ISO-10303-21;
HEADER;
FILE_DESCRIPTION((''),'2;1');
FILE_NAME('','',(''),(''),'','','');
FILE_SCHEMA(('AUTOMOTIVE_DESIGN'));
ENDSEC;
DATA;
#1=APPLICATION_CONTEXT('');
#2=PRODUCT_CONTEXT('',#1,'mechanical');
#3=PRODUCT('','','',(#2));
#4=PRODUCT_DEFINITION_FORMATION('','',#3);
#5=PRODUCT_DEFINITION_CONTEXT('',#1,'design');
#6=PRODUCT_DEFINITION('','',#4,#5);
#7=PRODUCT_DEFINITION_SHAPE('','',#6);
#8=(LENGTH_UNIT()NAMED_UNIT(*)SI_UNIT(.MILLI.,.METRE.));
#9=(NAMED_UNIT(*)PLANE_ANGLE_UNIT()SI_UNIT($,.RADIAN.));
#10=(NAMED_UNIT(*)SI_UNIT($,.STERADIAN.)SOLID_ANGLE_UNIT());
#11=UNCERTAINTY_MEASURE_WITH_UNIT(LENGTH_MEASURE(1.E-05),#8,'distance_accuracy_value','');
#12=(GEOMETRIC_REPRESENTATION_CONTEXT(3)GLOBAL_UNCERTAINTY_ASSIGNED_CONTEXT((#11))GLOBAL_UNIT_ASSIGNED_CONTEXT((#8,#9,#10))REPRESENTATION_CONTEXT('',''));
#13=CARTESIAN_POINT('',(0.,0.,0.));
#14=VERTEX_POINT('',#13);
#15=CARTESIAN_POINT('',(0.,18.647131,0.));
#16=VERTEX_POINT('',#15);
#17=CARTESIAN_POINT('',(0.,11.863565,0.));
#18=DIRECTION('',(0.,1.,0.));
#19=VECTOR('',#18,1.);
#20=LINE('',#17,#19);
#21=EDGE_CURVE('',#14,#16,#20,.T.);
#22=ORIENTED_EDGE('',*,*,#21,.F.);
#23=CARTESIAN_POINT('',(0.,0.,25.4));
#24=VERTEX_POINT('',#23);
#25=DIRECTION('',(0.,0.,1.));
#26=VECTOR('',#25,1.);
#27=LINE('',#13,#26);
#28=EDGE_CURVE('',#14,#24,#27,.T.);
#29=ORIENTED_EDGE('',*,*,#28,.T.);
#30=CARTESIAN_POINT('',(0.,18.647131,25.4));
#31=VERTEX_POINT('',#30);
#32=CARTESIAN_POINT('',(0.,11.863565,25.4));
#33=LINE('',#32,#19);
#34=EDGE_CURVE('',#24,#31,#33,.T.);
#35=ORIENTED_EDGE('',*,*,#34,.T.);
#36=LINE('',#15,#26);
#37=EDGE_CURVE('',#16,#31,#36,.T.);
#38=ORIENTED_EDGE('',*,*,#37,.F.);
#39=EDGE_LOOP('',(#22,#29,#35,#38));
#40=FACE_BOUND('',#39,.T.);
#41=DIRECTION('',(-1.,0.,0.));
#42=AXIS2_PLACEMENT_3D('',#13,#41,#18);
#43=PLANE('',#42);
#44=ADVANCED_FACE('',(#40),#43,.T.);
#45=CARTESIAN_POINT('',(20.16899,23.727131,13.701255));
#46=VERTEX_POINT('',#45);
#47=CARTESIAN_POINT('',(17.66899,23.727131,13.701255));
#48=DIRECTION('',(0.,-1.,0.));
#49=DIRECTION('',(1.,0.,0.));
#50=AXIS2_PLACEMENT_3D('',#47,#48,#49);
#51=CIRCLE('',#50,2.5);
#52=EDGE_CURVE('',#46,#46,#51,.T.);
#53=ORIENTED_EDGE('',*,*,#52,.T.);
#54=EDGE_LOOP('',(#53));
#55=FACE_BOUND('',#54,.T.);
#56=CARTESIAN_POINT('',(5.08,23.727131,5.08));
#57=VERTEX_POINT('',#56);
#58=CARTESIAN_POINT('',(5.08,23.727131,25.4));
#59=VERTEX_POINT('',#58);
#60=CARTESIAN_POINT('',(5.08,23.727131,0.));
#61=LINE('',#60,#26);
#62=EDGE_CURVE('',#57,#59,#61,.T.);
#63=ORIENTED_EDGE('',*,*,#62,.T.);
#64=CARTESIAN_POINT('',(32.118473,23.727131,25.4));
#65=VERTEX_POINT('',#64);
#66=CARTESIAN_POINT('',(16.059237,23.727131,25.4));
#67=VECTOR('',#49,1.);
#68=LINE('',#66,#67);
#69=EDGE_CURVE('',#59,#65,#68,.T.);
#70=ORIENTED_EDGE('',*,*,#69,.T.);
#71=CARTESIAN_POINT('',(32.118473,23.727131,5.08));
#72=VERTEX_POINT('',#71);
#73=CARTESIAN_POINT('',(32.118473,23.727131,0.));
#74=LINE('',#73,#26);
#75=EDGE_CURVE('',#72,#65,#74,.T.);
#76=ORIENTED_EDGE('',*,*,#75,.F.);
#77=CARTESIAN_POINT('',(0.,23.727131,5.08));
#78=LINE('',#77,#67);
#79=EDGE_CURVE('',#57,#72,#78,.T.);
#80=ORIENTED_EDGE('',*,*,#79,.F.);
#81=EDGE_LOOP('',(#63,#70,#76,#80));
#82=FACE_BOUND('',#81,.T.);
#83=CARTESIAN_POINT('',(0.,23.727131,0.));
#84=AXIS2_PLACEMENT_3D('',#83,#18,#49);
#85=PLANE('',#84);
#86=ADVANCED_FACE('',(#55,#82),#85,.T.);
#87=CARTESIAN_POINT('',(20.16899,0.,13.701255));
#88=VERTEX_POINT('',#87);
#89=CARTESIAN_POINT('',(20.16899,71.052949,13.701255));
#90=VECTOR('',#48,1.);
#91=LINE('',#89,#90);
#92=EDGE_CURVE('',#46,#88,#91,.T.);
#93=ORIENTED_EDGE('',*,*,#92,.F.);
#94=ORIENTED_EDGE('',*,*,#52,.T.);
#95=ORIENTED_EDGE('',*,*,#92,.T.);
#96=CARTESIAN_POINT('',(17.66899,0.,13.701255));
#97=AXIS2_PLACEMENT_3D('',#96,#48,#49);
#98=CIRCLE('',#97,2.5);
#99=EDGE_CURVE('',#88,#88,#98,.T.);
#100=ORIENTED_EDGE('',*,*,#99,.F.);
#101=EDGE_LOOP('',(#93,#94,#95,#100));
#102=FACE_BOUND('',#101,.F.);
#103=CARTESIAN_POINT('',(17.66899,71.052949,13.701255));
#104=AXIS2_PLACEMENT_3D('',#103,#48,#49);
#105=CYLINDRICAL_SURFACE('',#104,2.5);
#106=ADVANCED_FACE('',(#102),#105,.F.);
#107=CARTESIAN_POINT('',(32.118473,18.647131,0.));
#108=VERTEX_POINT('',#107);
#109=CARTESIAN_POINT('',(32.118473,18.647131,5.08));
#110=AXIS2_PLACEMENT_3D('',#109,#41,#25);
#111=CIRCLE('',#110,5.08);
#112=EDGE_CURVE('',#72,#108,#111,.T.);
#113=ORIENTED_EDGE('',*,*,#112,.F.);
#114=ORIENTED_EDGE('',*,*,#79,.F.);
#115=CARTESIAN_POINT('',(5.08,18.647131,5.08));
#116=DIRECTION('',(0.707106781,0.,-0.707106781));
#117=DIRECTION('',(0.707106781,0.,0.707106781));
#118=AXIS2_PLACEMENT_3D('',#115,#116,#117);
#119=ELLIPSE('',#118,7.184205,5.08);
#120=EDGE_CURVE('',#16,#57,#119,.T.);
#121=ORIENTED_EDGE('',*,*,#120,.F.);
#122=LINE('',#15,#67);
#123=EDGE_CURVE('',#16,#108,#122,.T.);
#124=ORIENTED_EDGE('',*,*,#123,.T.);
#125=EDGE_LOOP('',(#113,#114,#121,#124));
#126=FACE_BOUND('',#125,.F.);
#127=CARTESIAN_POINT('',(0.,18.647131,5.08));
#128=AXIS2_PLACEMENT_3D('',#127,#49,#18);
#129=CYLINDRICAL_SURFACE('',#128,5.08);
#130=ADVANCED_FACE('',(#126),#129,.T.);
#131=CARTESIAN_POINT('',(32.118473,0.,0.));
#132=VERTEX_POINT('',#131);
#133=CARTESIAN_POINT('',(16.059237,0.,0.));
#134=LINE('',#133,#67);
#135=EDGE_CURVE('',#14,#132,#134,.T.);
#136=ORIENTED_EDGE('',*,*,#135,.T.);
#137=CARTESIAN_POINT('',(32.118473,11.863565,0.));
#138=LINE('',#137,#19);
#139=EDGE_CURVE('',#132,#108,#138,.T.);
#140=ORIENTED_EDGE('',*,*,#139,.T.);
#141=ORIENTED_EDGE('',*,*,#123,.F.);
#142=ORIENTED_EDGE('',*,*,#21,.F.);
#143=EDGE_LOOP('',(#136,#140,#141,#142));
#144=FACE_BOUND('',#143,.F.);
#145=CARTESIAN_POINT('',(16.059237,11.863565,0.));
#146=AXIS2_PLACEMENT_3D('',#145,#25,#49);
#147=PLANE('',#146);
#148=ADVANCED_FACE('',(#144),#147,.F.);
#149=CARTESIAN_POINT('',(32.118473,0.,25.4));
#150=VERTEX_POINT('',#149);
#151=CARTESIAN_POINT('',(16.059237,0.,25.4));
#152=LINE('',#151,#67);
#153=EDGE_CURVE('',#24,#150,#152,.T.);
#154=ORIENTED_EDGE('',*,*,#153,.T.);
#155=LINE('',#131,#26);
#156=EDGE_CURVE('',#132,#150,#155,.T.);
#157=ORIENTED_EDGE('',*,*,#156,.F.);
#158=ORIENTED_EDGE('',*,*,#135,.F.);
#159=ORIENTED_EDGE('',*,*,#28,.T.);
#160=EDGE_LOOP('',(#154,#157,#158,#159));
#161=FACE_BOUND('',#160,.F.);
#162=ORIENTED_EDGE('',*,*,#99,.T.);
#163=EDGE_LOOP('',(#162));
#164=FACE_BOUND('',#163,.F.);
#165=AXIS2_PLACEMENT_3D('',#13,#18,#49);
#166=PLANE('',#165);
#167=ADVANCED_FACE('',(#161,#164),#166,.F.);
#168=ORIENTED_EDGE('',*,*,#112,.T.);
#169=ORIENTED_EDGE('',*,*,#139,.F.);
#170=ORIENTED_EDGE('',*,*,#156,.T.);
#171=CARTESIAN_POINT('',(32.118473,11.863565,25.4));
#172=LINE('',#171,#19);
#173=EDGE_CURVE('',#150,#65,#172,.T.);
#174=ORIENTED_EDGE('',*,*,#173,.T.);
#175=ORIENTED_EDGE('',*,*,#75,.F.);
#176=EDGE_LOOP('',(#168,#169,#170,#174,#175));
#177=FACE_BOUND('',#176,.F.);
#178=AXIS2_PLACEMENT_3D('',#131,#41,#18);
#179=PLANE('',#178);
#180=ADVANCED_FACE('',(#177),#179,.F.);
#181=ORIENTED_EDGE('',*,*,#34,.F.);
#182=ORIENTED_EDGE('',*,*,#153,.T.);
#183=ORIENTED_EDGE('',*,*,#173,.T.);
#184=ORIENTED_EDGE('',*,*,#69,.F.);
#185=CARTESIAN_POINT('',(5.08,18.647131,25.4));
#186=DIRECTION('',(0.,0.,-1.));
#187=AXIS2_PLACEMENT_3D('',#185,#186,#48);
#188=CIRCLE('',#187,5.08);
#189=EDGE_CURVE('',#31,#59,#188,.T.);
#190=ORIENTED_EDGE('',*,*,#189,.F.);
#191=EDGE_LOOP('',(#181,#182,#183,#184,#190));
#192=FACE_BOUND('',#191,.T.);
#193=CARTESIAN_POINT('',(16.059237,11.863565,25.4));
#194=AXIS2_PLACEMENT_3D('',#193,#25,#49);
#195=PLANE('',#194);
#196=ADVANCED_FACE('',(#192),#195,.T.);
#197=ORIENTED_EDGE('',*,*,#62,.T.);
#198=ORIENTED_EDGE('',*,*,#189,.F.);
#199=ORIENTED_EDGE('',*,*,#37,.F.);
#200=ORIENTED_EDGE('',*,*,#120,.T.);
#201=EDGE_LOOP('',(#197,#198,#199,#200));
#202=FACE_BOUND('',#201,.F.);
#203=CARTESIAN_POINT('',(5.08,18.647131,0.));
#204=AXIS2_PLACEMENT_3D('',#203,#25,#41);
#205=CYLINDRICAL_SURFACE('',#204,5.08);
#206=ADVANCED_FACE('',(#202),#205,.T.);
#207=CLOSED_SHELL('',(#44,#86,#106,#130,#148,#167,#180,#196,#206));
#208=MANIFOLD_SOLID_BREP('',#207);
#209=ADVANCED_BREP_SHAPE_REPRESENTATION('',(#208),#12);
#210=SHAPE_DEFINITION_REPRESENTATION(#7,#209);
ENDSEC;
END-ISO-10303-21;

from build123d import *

# Parameters (mm, degrees)
F0_W     = 32.118473202
F0_H     = 23.727130854
F1_DEPTH = 25.4
F2_R     = 5.08
F4_D     = 5


with BuildPart() as f1:
    # F0 (on Top) → F1 (new body)
    with BuildSketch(Plane.XY):
        with Locations((16.059236601, 11.863565427)):
            Rectangle(F0_W, F0_H)
    extrude(amount=F1_DEPTH)

    # F2
    f2_edges = [f1.edges().sort_by_distance(p)[0] for p in [
        (0, 23.727131, 12.7),
        (16.059237, 23.727131, 0),
    ]]
    fillet(f2_edges, radius=F2_R)

    # F4 (through all)
    with Locations(Plane(origin=(0, 23.727130854, 0), x_dir=(-1, 0, 0), z_dir=(0, 1, 0))):
        with Locations((-17.6689904183, 13.7012554333)):
            Hole(F4_D / 2)


solid = f1.part
